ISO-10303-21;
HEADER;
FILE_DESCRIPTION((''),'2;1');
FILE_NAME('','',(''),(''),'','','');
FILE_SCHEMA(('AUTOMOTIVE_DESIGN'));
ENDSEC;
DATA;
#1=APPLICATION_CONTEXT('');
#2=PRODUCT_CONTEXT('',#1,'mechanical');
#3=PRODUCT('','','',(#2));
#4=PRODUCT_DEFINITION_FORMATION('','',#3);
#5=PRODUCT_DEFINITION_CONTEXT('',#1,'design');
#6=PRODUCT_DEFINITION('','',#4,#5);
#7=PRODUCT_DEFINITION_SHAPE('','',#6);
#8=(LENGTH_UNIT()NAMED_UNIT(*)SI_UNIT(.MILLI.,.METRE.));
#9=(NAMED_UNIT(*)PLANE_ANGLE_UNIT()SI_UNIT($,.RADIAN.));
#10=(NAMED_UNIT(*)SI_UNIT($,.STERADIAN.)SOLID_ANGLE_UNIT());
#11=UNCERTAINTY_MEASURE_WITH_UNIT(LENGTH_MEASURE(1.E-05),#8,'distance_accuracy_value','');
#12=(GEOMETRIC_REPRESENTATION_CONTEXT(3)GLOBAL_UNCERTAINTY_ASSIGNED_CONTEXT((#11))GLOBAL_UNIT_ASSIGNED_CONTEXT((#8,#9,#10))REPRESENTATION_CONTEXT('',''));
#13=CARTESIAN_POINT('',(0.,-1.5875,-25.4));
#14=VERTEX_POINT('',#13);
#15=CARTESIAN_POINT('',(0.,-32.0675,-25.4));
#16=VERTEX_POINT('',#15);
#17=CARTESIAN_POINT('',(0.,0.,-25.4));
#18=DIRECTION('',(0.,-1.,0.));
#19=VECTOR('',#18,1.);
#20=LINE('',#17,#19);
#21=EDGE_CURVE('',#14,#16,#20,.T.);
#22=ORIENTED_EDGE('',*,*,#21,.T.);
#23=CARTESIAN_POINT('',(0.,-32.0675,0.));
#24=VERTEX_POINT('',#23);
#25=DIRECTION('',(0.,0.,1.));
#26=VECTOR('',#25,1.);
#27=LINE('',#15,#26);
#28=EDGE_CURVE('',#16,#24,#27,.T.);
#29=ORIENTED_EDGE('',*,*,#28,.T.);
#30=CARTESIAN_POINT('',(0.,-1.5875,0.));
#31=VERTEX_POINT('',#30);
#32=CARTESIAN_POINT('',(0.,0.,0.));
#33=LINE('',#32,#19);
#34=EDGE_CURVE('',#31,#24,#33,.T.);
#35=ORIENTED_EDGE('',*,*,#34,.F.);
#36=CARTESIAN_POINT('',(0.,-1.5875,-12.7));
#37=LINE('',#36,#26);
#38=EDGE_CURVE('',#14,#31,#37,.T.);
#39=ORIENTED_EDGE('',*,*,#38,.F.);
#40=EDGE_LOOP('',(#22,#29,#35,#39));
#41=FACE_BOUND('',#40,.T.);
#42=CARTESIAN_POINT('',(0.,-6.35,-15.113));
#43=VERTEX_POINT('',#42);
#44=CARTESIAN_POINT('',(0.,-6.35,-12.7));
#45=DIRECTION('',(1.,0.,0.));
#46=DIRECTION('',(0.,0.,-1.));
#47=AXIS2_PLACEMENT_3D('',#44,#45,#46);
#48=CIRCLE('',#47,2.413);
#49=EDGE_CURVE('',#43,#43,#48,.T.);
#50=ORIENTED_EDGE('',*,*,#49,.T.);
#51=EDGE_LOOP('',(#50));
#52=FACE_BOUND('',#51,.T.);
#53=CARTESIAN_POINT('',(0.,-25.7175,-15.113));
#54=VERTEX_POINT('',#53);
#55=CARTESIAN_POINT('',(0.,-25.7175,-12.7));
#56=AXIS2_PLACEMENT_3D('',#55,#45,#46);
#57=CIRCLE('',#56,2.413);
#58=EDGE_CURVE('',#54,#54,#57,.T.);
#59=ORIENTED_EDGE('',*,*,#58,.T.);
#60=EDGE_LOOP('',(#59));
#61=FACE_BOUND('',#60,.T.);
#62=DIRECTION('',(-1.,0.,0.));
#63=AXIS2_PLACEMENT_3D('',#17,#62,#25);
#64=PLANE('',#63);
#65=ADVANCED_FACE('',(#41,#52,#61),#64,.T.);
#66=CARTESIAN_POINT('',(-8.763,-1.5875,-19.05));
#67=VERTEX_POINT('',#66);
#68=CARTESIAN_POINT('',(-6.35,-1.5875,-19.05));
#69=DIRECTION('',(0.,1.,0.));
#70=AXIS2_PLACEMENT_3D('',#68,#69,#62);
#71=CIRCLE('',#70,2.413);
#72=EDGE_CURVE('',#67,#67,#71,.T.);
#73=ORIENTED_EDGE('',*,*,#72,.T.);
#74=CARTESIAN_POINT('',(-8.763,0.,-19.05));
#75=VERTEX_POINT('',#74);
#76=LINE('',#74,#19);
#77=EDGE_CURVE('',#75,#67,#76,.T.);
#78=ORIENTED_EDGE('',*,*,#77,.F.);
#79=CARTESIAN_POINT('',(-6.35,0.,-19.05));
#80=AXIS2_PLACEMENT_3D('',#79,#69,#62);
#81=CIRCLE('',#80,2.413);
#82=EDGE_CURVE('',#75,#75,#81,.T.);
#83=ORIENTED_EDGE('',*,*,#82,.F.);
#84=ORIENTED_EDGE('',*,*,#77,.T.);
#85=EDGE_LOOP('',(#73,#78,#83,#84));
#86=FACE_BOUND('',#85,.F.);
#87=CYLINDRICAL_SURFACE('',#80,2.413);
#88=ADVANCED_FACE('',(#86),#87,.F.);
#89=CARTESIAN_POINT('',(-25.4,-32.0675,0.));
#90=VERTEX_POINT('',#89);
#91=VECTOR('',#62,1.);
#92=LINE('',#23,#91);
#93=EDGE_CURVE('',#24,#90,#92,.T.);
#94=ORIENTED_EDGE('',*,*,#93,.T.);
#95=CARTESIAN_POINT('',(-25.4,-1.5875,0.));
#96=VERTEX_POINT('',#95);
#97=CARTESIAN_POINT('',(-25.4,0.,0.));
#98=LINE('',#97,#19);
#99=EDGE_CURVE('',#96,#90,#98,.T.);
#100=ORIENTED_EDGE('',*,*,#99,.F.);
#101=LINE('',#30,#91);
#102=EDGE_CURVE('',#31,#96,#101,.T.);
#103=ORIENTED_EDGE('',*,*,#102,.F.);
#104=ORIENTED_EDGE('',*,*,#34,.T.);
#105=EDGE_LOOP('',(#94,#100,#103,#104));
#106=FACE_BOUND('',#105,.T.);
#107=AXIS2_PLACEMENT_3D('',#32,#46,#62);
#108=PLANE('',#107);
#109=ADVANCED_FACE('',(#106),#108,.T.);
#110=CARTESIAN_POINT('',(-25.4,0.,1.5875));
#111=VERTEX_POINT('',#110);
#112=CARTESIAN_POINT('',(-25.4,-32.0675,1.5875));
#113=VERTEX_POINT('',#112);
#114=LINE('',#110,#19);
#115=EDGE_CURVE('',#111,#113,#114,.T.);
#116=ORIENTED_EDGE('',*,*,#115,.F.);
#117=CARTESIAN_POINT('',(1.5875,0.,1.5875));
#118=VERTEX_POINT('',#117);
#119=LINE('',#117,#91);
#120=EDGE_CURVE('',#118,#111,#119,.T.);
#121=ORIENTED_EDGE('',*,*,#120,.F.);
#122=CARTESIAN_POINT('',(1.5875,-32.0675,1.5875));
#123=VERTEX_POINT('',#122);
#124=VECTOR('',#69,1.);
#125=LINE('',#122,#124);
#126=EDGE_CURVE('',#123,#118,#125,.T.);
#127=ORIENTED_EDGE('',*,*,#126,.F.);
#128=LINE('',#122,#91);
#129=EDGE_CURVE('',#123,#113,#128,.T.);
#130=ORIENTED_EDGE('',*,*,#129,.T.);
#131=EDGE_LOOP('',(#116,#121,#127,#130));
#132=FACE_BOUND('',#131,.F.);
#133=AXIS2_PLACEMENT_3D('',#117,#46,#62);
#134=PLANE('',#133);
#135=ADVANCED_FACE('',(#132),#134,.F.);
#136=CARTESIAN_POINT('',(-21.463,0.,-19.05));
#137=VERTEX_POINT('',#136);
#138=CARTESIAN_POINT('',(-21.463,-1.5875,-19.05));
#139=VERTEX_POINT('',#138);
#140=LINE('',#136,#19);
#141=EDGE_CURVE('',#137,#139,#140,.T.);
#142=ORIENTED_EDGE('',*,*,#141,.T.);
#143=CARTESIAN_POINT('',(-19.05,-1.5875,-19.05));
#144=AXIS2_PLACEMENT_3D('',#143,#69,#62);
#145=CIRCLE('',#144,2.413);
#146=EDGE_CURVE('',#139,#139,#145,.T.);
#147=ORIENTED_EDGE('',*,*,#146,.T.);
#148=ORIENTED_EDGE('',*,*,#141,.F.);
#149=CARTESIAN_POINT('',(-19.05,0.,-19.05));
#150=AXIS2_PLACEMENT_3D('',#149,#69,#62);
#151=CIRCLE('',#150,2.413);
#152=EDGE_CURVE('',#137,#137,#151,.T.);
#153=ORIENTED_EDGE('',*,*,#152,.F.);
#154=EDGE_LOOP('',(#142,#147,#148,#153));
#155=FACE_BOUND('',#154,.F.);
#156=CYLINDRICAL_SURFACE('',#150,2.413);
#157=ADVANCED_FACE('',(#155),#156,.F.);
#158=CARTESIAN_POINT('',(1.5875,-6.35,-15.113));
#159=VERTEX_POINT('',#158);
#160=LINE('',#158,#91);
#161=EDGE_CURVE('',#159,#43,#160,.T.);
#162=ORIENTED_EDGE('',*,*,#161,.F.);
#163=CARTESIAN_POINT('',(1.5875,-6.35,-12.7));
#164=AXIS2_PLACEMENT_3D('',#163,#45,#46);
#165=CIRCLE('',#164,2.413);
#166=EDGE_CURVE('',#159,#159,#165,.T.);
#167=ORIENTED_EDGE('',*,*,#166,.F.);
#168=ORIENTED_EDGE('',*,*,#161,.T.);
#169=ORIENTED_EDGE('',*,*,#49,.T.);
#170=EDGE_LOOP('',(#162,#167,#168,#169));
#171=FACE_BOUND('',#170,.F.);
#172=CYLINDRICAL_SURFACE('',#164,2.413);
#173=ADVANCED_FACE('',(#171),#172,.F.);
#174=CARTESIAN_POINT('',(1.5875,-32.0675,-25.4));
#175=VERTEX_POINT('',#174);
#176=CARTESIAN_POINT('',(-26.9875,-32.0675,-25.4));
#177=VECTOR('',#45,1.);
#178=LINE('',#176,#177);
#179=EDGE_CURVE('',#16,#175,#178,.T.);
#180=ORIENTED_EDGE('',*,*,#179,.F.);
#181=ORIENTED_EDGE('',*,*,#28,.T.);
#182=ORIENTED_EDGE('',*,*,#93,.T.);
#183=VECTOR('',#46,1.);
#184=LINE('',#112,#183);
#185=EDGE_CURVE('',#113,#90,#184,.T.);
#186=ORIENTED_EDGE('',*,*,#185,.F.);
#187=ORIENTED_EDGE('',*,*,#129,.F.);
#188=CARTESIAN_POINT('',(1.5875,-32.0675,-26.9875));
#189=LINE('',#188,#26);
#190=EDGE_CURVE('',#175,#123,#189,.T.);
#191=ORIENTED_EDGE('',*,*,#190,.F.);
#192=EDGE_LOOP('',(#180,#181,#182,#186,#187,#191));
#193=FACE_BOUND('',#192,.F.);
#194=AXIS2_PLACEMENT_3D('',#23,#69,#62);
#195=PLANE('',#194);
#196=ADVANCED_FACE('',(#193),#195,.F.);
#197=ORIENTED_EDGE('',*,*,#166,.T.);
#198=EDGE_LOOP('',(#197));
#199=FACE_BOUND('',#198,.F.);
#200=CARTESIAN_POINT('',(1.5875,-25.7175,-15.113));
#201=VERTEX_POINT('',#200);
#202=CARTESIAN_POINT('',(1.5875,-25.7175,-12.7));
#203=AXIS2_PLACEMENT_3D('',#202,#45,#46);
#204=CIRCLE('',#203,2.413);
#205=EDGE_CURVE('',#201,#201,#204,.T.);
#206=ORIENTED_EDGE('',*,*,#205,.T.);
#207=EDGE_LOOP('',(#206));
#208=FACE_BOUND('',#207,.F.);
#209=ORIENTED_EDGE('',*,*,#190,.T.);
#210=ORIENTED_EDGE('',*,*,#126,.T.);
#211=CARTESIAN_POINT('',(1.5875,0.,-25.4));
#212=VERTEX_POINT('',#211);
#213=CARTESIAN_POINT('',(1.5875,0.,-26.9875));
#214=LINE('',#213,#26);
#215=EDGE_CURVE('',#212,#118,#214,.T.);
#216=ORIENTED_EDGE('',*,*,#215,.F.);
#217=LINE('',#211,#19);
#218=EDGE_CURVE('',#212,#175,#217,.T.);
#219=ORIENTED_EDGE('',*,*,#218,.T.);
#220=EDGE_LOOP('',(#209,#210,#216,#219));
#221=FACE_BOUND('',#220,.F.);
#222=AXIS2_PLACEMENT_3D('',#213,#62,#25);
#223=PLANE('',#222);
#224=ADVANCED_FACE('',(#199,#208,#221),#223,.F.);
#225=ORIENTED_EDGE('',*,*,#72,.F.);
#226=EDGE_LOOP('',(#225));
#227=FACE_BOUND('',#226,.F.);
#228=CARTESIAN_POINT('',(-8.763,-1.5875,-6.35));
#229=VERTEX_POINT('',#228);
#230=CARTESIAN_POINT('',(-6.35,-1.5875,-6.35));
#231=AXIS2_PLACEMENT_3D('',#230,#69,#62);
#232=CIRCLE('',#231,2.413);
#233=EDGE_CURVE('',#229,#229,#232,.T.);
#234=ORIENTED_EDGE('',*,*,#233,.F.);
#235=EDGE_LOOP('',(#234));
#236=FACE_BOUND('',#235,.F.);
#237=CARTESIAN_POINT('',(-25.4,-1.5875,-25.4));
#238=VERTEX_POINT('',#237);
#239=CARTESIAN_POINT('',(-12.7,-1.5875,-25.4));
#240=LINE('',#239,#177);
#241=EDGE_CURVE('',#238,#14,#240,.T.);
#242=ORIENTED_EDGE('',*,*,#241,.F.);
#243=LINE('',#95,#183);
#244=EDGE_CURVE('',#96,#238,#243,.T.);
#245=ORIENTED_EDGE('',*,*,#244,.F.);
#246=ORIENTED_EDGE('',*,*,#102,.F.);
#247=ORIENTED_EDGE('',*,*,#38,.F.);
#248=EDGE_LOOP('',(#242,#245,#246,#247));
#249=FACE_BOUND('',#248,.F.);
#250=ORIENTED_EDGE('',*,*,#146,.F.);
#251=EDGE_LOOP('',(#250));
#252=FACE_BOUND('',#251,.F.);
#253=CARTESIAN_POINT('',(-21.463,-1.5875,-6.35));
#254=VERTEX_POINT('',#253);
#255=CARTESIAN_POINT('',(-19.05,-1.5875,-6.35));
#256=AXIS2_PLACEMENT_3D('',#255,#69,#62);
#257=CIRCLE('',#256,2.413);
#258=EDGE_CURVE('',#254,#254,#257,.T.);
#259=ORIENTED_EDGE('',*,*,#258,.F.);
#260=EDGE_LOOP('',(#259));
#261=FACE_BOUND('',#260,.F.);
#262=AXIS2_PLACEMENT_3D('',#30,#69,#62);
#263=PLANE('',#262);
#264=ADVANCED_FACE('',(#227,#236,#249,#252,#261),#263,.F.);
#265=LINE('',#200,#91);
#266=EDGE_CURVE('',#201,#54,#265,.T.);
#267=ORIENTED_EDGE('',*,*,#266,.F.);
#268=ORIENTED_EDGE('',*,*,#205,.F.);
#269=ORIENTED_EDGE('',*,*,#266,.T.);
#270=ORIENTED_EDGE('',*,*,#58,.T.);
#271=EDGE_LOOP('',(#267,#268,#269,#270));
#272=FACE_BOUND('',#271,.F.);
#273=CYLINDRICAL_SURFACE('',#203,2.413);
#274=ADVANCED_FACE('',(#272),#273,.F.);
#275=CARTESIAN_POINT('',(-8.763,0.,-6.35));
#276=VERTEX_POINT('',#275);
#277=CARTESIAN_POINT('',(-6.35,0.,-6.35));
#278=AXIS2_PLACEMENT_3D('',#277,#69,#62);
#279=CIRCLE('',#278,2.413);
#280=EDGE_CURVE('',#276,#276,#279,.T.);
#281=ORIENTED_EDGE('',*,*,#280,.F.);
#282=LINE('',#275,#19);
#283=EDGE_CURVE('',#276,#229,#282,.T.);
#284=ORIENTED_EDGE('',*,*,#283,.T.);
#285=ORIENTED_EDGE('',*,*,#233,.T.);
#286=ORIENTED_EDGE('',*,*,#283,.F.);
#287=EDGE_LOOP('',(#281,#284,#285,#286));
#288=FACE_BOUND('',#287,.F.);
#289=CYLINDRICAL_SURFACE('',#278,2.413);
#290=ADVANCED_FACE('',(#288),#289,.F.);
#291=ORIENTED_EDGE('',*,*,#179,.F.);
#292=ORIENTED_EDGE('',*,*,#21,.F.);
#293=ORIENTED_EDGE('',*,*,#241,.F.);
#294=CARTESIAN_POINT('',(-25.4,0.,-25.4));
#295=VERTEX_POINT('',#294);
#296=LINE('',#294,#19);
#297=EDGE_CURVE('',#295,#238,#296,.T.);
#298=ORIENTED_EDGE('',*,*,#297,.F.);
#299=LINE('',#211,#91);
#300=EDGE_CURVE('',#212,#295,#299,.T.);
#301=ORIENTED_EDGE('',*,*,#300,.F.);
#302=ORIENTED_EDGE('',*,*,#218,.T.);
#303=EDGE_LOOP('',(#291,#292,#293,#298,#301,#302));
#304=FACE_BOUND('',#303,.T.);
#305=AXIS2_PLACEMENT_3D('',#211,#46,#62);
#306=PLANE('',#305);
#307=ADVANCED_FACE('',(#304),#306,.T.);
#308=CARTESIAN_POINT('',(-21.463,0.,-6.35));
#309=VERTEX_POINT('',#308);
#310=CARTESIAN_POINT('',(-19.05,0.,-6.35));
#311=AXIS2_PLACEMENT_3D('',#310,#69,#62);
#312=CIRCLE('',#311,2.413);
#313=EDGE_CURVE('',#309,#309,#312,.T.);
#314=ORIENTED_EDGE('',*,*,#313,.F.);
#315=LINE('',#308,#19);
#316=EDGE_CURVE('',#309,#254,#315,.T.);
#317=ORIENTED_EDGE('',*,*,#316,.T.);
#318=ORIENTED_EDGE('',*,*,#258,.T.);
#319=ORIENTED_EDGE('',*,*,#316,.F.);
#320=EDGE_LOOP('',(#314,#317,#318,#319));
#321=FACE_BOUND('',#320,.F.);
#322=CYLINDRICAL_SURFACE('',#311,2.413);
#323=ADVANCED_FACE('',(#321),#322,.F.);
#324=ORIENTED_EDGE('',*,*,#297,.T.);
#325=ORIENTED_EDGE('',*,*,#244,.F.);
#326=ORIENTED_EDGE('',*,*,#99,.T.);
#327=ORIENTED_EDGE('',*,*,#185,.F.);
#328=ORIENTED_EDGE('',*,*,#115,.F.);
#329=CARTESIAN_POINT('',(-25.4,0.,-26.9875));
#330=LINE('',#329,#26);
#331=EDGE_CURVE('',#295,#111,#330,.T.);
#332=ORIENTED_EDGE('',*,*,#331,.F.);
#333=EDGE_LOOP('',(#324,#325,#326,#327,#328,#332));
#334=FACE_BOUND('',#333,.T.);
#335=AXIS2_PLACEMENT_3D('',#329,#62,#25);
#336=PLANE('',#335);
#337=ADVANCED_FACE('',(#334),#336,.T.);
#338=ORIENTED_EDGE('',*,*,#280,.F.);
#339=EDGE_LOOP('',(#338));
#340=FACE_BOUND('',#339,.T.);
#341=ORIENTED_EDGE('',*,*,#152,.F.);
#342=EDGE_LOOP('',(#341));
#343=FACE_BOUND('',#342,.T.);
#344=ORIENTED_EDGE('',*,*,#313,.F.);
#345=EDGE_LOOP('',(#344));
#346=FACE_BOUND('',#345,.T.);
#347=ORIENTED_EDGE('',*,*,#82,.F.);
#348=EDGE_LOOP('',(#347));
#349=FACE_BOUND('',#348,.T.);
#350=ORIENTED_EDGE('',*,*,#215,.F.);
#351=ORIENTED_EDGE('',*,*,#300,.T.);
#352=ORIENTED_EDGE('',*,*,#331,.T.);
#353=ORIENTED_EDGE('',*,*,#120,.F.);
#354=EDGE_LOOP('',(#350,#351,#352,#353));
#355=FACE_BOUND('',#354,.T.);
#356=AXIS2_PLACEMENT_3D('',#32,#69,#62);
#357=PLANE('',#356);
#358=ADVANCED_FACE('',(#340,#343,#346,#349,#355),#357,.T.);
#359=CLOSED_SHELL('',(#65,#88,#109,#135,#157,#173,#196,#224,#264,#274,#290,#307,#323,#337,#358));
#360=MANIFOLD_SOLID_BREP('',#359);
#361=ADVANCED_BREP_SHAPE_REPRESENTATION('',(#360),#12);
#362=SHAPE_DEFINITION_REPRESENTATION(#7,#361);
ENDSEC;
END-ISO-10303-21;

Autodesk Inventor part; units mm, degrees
ref_plane "YZ Plane" through (0, 0, 0) normal (1, 0, 0) x (0, 1, 0)
ref_plane "XZ Plane" through (0, 0, 0) normal (0, 1, 0) x (-1, 0, 0)
ref_plane "XY Plane" through (0, 0, 0) normal (0, 0, 1) x (1, 0, 0)
sketch "Sketch1" plane through (0, 0, 0) normal (0, 1, 0) x (-1, 0, 0)
  line L0 (0, 0) -> (25.4, 0)
  line L1 (25.4, 0) -> (25.4, -25.4)
  line L2 (25.4, -25.4) -> (0, -25.4)
  line L3 (0, -25.4) -> (0, 0)
  line L4 (-1.5875, 1.5875) -> (26.9875, 1.5875)
  line L5 (26.9875, 1.5875) -> (26.9875, -26.9875)
  line L6 (26.9875, -26.9875) -> (-1.5875, -26.9875)
  line L7 (-1.5875, -26.9875) -> (-1.5875, 1.5875)
  circle A0 centre (19.05, -6.35) radius 2.413
  circle A1 centre (19.05, -19.05) radius 2.413
  circle A2 centre (6.35, -6.35) radius 2.413
  circle A3 centre (6.35, -19.05) radius 2.413
  dimension "d0" = 25.4
  dimension "d1" = 25.4
  dimension "d2" = 1.5875
  dimension "d3" = 6.35
  dimension "d4" = 6.35
  dimension "d5" = 4.826
  dimension "d8" = 12.7
  dimension "d11" = 12.7
extrude "Extrusion1" add sketch "Sketch1" against normal blind 1.5875 contours L0 L1 L2 L3 | L4 L5 L6 L7
extrude "Extrusion2" add sketch "Sketch1" against normal blind 32.0675 contours L4 L5 L6 L7
sketch "Sketch2" plane through (1.5875, 0, 1.5875) normal (1, 0, 0) x (0, 0, -1)
  line L0 (0, 0) -> (28.575, 0) construction
  line L1 (14.2875, 0) -> (14.2875, -32.0675) construction
  line L2 (26.9875, -32.0675) -> (1.5875, -32.0675) construction
  circle A0 centre (14.2875, -6.35) radius 2.413
  circle A1 centre (14.2875, -25.7175) radius 2.413
  point P0 (1.5875, 0)
  dimension "d18" = 4.826
  dimension "d19" = 4.826
  dimension "d20" = 6.35
  dimension "d21" = 6.35
extrude "Extrusion3" cut sketch "Sketch2" against normal blind 32.0675
sketch "Sketch3" plane through (-26.9875, 0, -26.9875) normal (-1, 0, 0) x (0, 0, 1)
  circle A0 centre (14.2875, -25.7175) radius 2.413 projected
  circle A1 centre (14.2875, -6.35) radius 2.413 projected
  line L0 (0, 0) -> (28.575, 0) projected
  line L1 (0, 0) -> (0, -32.0675) projected
  line L2 (28.575, -32.0675) -> (0, -32.0675) projected
  line L3 (28.575, 0) -> (28.575, -32.0675) projected
  point P0 (26.9875, 0)
sketch "Sketch4" plane through (1.5875, 0, -26.9875) normal (0, 0, -1) x (-1, 0, 0)
  line L0 (0, 0) -> (28.575, 0) projected
  line L1 (0, 0) -> (0, -32.0675) projected
  line L2 (28.575, -32.0675) -> (0, -32.0675) projected
  line L3 (28.575, 0) -> (28.575, -32.0675) projected
  point P0 (1.5875, 0)
extrude "Extrusion4" cut sketch "Sketch3" against normal blind 1.5875
extrude "Extrusion5" cut sketch "Sketch4" against normal blind 1.5875
equation "\"d18\" = d19"
equation "\"d21\" = d20"
properties part number "FlipperTensionerBlock2Tool"
